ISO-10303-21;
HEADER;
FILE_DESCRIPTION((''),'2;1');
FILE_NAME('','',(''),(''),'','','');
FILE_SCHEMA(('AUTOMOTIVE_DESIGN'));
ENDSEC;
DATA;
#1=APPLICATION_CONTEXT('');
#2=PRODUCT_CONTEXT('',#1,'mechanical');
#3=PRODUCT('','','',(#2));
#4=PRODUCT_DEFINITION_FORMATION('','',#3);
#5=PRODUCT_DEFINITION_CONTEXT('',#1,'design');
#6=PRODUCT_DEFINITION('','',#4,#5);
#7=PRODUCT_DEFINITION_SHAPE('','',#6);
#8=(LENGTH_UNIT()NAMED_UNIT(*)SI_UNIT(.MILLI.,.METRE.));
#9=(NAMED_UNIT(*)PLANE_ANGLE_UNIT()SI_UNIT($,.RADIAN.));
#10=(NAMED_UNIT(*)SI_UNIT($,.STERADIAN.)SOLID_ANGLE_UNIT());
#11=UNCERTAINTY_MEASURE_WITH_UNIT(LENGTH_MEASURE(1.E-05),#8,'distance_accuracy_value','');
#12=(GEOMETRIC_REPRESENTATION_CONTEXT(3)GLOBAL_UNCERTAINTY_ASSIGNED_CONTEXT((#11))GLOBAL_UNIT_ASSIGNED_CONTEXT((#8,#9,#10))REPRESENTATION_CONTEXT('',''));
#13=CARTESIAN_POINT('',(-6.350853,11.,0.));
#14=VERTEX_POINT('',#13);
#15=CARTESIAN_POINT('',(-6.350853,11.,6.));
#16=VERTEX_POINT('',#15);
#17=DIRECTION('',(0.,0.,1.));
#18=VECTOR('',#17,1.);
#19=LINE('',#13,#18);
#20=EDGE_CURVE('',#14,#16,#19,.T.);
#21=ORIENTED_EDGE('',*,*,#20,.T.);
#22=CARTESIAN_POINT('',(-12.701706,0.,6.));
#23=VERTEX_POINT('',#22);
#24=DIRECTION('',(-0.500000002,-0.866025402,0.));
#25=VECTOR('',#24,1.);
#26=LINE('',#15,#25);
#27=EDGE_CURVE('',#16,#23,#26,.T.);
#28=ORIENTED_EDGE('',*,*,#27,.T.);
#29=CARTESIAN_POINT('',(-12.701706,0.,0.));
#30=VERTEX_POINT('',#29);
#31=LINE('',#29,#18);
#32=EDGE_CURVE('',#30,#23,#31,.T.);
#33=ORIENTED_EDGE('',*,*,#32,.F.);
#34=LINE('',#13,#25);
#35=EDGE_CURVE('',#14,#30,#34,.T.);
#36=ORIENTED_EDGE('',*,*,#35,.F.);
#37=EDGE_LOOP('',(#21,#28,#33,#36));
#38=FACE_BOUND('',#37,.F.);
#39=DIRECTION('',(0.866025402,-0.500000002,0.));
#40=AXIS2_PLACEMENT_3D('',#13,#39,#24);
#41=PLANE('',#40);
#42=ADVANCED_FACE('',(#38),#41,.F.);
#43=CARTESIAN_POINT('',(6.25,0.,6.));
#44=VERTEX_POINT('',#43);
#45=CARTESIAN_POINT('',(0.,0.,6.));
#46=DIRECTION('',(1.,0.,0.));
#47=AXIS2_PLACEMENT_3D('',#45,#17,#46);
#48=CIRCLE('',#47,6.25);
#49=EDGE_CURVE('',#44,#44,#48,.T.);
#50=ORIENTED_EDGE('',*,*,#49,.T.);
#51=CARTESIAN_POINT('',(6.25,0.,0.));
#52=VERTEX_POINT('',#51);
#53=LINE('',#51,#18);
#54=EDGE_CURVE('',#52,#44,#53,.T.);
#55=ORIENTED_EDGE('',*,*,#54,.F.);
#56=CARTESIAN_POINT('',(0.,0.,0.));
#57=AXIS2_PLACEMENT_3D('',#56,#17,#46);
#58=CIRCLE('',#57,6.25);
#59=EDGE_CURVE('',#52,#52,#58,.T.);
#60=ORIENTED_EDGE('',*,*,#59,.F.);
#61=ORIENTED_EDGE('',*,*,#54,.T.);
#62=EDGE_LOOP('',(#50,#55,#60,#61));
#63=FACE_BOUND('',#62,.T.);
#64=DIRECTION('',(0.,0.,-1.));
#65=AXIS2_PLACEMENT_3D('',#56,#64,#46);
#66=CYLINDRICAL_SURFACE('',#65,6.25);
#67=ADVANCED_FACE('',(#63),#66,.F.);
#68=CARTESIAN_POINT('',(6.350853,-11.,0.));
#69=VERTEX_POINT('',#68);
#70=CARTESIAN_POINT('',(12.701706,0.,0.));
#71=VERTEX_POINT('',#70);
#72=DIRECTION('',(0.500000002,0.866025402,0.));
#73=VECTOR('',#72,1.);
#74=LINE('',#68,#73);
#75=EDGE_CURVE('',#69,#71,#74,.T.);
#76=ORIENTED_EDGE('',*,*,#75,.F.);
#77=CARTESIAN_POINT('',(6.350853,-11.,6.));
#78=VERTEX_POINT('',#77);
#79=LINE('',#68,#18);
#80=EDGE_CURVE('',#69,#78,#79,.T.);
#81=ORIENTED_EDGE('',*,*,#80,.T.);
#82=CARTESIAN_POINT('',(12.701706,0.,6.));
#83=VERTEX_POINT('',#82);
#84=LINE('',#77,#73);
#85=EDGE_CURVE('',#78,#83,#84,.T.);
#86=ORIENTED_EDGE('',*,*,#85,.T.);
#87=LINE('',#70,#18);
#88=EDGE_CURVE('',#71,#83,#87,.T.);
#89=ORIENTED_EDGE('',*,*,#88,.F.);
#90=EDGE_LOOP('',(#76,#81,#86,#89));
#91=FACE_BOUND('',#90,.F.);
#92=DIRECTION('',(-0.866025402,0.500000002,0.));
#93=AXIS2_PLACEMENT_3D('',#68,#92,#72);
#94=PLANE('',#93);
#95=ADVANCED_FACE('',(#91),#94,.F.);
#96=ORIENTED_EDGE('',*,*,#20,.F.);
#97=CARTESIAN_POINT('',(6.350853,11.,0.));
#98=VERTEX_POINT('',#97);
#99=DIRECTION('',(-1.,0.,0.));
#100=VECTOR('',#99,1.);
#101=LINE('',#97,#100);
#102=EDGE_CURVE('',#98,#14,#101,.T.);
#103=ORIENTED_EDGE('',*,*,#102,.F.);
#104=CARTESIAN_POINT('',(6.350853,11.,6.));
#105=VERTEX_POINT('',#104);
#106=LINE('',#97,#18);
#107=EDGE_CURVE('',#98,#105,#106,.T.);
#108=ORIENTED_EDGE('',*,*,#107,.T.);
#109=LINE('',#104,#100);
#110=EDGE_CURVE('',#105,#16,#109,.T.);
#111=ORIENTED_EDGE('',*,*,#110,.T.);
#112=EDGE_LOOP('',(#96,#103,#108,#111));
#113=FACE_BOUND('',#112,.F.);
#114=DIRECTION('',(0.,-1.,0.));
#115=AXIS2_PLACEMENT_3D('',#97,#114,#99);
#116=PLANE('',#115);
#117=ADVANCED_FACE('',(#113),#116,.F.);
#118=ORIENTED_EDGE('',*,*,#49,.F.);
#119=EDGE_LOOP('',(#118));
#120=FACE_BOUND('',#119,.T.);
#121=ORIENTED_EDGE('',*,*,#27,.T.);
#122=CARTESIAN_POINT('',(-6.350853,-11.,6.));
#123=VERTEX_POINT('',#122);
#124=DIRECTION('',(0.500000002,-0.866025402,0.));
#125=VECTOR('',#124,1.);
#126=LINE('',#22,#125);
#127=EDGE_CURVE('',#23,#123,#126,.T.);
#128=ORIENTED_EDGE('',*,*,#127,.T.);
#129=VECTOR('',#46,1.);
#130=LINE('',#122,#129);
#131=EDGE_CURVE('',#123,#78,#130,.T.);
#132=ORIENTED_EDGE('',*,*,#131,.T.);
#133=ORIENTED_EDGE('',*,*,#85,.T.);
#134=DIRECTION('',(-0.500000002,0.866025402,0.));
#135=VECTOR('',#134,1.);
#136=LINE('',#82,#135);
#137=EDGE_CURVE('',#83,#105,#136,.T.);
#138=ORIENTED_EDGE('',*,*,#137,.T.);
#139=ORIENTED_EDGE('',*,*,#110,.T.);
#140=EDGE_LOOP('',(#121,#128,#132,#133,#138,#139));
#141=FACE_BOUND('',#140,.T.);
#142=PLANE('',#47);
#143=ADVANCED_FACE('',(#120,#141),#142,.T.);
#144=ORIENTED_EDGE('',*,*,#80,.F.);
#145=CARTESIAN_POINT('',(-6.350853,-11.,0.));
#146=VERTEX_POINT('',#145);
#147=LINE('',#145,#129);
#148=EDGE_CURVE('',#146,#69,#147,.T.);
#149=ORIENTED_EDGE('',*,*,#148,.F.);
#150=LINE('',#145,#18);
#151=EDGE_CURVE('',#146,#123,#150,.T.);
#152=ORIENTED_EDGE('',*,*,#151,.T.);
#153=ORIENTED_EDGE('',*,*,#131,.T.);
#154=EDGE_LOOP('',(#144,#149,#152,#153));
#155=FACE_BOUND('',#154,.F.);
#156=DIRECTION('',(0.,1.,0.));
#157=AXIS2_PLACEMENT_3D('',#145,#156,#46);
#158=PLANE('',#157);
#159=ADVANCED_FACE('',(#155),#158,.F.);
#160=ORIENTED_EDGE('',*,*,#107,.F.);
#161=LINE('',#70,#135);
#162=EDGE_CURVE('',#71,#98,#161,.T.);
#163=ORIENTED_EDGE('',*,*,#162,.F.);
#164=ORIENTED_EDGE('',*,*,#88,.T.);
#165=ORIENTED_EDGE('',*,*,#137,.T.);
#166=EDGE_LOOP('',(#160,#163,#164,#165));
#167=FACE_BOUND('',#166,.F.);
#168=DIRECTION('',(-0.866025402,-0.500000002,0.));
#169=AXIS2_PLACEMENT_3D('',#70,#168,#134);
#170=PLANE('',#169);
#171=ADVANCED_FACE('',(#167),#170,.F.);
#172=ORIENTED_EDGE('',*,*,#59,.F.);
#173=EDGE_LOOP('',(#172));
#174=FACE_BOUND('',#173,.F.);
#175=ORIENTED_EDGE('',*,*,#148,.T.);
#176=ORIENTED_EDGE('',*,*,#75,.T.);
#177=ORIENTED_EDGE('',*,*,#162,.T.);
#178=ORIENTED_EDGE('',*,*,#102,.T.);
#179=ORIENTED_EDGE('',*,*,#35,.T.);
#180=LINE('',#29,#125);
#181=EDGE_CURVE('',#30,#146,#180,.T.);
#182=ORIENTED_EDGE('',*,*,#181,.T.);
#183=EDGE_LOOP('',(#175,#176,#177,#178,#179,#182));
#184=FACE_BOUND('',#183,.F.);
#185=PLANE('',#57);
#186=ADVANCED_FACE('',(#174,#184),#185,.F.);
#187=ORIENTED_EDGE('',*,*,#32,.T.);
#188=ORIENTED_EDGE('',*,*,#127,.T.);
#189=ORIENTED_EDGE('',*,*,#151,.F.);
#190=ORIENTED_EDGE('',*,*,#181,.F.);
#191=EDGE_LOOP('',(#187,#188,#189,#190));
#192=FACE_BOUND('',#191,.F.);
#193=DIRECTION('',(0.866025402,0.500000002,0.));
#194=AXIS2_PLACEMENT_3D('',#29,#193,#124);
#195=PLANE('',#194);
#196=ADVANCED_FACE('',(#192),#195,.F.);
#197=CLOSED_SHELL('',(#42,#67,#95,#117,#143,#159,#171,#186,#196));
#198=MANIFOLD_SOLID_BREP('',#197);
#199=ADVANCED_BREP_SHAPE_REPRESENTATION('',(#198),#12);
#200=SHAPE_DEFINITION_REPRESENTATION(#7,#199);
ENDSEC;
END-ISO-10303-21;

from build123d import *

# Parameters (mm, degrees)
SKETCH_R  = 6.25
PAD_DEPTH = 6


with BuildPart() as part:
    # Sketch → Pad (new body)
    with BuildSketch(Plane.XY):
        Polygon((12.701706, 0), (6.350853, 11), (-6.350853, 11), (-12.701706, 0), (-6.350853, -11), (6.350853, -11), align=None)
        Circle(SKETCH_R, mode=Mode.SUBTRACT)
    extrude(amount=PAD_DEPTH)


solid = part.part
